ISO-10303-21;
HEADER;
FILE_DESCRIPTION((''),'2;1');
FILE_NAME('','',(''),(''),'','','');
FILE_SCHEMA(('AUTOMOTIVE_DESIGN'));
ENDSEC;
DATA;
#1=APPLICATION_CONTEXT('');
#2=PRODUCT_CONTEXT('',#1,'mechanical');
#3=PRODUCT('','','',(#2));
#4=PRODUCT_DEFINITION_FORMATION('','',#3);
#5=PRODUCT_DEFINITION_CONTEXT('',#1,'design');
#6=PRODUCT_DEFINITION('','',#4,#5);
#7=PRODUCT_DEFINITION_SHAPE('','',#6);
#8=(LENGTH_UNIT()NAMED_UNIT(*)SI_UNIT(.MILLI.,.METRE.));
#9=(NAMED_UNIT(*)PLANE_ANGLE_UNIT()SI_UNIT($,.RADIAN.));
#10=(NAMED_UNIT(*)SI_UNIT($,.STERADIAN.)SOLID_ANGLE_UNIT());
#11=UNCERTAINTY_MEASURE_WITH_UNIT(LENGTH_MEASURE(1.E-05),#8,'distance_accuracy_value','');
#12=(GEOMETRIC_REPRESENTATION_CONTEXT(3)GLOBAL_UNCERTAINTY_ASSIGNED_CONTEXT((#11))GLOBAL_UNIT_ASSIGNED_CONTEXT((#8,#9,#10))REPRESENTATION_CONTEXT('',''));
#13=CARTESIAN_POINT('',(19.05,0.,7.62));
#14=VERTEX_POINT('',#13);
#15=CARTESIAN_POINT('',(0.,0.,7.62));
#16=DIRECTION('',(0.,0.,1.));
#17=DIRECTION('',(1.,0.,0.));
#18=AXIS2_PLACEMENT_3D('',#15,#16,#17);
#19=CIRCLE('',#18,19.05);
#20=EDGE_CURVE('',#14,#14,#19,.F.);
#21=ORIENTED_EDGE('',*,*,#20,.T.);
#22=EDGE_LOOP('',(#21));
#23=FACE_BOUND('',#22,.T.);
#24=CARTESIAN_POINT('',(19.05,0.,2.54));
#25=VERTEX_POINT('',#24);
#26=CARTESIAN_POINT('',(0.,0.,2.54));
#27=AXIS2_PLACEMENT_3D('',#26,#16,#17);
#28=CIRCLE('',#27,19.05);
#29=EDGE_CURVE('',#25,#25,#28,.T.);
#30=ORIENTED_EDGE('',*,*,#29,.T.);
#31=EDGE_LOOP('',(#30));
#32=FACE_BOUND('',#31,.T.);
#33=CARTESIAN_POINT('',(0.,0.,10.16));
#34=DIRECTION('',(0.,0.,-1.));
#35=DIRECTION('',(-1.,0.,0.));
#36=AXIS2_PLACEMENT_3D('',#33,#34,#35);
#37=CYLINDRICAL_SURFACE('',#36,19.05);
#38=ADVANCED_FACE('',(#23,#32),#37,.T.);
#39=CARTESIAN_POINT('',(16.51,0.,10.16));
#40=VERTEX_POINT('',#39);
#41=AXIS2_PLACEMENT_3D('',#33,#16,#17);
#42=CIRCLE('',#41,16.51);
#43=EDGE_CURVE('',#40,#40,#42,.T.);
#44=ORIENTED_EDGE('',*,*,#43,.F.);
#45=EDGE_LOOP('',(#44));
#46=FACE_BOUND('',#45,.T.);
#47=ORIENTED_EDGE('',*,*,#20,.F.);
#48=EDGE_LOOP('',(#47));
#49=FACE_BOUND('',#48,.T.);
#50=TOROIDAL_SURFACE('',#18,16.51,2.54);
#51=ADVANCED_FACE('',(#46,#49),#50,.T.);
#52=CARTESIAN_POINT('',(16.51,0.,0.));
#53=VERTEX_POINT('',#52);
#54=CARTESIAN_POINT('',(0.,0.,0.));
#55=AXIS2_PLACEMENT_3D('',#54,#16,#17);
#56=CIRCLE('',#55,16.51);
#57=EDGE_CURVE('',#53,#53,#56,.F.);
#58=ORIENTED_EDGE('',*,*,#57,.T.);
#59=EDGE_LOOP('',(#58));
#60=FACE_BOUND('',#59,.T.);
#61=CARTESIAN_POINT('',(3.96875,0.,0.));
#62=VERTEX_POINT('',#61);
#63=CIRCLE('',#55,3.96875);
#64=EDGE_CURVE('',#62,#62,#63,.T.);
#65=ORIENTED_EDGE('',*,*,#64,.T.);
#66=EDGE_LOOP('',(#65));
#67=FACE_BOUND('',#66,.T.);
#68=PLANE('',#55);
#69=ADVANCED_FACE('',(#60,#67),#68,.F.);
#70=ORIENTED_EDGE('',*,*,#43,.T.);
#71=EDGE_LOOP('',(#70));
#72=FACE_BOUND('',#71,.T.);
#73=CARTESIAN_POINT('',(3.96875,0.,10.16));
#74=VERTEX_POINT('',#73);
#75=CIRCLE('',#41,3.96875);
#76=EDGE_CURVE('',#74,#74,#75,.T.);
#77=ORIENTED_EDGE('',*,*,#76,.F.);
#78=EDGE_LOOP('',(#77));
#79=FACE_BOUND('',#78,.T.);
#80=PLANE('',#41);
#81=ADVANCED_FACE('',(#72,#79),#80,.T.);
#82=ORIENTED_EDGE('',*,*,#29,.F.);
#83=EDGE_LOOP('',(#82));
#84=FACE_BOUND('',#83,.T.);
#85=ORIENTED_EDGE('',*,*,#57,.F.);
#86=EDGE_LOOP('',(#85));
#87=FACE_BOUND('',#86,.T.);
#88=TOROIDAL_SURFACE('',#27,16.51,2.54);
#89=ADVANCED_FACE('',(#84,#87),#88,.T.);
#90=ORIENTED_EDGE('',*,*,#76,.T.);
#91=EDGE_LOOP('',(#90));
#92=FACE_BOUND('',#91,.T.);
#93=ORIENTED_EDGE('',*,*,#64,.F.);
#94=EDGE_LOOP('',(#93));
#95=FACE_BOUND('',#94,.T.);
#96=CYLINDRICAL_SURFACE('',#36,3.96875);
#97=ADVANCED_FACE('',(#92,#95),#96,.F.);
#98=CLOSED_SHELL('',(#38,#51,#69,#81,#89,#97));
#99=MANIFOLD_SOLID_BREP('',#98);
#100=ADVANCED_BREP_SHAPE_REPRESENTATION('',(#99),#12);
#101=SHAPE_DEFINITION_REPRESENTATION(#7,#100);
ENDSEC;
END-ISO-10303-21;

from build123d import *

# Parameters (mm, degrees)
SKETCH2_R           = 19.05
SKETCH2_R_2         = 3.96875
BOSS_EXTRUDE1_DEPTH = 10.16
FILLET1_R           = 2.54


with BuildPart() as part:
    # Sketch2 → Boss-Extrude1 (new body)
    with BuildSketch(Plane.XY):
        Circle(SKETCH2_R)
        Circle(SKETCH2_R_2, mode=Mode.SUBTRACT)
    extrude(amount=BOSS_EXTRUDE1_DEPTH)

    # Fillet1
    fillet1_edges = [part.edges().sort_by_distance(p)[0] for p in [
        (-19.05, 0, 0),
        (-19.05, 0, 10.16),
    ]]
    fillet(fillet1_edges, radius=FILLET1_R)


solid = part.part
